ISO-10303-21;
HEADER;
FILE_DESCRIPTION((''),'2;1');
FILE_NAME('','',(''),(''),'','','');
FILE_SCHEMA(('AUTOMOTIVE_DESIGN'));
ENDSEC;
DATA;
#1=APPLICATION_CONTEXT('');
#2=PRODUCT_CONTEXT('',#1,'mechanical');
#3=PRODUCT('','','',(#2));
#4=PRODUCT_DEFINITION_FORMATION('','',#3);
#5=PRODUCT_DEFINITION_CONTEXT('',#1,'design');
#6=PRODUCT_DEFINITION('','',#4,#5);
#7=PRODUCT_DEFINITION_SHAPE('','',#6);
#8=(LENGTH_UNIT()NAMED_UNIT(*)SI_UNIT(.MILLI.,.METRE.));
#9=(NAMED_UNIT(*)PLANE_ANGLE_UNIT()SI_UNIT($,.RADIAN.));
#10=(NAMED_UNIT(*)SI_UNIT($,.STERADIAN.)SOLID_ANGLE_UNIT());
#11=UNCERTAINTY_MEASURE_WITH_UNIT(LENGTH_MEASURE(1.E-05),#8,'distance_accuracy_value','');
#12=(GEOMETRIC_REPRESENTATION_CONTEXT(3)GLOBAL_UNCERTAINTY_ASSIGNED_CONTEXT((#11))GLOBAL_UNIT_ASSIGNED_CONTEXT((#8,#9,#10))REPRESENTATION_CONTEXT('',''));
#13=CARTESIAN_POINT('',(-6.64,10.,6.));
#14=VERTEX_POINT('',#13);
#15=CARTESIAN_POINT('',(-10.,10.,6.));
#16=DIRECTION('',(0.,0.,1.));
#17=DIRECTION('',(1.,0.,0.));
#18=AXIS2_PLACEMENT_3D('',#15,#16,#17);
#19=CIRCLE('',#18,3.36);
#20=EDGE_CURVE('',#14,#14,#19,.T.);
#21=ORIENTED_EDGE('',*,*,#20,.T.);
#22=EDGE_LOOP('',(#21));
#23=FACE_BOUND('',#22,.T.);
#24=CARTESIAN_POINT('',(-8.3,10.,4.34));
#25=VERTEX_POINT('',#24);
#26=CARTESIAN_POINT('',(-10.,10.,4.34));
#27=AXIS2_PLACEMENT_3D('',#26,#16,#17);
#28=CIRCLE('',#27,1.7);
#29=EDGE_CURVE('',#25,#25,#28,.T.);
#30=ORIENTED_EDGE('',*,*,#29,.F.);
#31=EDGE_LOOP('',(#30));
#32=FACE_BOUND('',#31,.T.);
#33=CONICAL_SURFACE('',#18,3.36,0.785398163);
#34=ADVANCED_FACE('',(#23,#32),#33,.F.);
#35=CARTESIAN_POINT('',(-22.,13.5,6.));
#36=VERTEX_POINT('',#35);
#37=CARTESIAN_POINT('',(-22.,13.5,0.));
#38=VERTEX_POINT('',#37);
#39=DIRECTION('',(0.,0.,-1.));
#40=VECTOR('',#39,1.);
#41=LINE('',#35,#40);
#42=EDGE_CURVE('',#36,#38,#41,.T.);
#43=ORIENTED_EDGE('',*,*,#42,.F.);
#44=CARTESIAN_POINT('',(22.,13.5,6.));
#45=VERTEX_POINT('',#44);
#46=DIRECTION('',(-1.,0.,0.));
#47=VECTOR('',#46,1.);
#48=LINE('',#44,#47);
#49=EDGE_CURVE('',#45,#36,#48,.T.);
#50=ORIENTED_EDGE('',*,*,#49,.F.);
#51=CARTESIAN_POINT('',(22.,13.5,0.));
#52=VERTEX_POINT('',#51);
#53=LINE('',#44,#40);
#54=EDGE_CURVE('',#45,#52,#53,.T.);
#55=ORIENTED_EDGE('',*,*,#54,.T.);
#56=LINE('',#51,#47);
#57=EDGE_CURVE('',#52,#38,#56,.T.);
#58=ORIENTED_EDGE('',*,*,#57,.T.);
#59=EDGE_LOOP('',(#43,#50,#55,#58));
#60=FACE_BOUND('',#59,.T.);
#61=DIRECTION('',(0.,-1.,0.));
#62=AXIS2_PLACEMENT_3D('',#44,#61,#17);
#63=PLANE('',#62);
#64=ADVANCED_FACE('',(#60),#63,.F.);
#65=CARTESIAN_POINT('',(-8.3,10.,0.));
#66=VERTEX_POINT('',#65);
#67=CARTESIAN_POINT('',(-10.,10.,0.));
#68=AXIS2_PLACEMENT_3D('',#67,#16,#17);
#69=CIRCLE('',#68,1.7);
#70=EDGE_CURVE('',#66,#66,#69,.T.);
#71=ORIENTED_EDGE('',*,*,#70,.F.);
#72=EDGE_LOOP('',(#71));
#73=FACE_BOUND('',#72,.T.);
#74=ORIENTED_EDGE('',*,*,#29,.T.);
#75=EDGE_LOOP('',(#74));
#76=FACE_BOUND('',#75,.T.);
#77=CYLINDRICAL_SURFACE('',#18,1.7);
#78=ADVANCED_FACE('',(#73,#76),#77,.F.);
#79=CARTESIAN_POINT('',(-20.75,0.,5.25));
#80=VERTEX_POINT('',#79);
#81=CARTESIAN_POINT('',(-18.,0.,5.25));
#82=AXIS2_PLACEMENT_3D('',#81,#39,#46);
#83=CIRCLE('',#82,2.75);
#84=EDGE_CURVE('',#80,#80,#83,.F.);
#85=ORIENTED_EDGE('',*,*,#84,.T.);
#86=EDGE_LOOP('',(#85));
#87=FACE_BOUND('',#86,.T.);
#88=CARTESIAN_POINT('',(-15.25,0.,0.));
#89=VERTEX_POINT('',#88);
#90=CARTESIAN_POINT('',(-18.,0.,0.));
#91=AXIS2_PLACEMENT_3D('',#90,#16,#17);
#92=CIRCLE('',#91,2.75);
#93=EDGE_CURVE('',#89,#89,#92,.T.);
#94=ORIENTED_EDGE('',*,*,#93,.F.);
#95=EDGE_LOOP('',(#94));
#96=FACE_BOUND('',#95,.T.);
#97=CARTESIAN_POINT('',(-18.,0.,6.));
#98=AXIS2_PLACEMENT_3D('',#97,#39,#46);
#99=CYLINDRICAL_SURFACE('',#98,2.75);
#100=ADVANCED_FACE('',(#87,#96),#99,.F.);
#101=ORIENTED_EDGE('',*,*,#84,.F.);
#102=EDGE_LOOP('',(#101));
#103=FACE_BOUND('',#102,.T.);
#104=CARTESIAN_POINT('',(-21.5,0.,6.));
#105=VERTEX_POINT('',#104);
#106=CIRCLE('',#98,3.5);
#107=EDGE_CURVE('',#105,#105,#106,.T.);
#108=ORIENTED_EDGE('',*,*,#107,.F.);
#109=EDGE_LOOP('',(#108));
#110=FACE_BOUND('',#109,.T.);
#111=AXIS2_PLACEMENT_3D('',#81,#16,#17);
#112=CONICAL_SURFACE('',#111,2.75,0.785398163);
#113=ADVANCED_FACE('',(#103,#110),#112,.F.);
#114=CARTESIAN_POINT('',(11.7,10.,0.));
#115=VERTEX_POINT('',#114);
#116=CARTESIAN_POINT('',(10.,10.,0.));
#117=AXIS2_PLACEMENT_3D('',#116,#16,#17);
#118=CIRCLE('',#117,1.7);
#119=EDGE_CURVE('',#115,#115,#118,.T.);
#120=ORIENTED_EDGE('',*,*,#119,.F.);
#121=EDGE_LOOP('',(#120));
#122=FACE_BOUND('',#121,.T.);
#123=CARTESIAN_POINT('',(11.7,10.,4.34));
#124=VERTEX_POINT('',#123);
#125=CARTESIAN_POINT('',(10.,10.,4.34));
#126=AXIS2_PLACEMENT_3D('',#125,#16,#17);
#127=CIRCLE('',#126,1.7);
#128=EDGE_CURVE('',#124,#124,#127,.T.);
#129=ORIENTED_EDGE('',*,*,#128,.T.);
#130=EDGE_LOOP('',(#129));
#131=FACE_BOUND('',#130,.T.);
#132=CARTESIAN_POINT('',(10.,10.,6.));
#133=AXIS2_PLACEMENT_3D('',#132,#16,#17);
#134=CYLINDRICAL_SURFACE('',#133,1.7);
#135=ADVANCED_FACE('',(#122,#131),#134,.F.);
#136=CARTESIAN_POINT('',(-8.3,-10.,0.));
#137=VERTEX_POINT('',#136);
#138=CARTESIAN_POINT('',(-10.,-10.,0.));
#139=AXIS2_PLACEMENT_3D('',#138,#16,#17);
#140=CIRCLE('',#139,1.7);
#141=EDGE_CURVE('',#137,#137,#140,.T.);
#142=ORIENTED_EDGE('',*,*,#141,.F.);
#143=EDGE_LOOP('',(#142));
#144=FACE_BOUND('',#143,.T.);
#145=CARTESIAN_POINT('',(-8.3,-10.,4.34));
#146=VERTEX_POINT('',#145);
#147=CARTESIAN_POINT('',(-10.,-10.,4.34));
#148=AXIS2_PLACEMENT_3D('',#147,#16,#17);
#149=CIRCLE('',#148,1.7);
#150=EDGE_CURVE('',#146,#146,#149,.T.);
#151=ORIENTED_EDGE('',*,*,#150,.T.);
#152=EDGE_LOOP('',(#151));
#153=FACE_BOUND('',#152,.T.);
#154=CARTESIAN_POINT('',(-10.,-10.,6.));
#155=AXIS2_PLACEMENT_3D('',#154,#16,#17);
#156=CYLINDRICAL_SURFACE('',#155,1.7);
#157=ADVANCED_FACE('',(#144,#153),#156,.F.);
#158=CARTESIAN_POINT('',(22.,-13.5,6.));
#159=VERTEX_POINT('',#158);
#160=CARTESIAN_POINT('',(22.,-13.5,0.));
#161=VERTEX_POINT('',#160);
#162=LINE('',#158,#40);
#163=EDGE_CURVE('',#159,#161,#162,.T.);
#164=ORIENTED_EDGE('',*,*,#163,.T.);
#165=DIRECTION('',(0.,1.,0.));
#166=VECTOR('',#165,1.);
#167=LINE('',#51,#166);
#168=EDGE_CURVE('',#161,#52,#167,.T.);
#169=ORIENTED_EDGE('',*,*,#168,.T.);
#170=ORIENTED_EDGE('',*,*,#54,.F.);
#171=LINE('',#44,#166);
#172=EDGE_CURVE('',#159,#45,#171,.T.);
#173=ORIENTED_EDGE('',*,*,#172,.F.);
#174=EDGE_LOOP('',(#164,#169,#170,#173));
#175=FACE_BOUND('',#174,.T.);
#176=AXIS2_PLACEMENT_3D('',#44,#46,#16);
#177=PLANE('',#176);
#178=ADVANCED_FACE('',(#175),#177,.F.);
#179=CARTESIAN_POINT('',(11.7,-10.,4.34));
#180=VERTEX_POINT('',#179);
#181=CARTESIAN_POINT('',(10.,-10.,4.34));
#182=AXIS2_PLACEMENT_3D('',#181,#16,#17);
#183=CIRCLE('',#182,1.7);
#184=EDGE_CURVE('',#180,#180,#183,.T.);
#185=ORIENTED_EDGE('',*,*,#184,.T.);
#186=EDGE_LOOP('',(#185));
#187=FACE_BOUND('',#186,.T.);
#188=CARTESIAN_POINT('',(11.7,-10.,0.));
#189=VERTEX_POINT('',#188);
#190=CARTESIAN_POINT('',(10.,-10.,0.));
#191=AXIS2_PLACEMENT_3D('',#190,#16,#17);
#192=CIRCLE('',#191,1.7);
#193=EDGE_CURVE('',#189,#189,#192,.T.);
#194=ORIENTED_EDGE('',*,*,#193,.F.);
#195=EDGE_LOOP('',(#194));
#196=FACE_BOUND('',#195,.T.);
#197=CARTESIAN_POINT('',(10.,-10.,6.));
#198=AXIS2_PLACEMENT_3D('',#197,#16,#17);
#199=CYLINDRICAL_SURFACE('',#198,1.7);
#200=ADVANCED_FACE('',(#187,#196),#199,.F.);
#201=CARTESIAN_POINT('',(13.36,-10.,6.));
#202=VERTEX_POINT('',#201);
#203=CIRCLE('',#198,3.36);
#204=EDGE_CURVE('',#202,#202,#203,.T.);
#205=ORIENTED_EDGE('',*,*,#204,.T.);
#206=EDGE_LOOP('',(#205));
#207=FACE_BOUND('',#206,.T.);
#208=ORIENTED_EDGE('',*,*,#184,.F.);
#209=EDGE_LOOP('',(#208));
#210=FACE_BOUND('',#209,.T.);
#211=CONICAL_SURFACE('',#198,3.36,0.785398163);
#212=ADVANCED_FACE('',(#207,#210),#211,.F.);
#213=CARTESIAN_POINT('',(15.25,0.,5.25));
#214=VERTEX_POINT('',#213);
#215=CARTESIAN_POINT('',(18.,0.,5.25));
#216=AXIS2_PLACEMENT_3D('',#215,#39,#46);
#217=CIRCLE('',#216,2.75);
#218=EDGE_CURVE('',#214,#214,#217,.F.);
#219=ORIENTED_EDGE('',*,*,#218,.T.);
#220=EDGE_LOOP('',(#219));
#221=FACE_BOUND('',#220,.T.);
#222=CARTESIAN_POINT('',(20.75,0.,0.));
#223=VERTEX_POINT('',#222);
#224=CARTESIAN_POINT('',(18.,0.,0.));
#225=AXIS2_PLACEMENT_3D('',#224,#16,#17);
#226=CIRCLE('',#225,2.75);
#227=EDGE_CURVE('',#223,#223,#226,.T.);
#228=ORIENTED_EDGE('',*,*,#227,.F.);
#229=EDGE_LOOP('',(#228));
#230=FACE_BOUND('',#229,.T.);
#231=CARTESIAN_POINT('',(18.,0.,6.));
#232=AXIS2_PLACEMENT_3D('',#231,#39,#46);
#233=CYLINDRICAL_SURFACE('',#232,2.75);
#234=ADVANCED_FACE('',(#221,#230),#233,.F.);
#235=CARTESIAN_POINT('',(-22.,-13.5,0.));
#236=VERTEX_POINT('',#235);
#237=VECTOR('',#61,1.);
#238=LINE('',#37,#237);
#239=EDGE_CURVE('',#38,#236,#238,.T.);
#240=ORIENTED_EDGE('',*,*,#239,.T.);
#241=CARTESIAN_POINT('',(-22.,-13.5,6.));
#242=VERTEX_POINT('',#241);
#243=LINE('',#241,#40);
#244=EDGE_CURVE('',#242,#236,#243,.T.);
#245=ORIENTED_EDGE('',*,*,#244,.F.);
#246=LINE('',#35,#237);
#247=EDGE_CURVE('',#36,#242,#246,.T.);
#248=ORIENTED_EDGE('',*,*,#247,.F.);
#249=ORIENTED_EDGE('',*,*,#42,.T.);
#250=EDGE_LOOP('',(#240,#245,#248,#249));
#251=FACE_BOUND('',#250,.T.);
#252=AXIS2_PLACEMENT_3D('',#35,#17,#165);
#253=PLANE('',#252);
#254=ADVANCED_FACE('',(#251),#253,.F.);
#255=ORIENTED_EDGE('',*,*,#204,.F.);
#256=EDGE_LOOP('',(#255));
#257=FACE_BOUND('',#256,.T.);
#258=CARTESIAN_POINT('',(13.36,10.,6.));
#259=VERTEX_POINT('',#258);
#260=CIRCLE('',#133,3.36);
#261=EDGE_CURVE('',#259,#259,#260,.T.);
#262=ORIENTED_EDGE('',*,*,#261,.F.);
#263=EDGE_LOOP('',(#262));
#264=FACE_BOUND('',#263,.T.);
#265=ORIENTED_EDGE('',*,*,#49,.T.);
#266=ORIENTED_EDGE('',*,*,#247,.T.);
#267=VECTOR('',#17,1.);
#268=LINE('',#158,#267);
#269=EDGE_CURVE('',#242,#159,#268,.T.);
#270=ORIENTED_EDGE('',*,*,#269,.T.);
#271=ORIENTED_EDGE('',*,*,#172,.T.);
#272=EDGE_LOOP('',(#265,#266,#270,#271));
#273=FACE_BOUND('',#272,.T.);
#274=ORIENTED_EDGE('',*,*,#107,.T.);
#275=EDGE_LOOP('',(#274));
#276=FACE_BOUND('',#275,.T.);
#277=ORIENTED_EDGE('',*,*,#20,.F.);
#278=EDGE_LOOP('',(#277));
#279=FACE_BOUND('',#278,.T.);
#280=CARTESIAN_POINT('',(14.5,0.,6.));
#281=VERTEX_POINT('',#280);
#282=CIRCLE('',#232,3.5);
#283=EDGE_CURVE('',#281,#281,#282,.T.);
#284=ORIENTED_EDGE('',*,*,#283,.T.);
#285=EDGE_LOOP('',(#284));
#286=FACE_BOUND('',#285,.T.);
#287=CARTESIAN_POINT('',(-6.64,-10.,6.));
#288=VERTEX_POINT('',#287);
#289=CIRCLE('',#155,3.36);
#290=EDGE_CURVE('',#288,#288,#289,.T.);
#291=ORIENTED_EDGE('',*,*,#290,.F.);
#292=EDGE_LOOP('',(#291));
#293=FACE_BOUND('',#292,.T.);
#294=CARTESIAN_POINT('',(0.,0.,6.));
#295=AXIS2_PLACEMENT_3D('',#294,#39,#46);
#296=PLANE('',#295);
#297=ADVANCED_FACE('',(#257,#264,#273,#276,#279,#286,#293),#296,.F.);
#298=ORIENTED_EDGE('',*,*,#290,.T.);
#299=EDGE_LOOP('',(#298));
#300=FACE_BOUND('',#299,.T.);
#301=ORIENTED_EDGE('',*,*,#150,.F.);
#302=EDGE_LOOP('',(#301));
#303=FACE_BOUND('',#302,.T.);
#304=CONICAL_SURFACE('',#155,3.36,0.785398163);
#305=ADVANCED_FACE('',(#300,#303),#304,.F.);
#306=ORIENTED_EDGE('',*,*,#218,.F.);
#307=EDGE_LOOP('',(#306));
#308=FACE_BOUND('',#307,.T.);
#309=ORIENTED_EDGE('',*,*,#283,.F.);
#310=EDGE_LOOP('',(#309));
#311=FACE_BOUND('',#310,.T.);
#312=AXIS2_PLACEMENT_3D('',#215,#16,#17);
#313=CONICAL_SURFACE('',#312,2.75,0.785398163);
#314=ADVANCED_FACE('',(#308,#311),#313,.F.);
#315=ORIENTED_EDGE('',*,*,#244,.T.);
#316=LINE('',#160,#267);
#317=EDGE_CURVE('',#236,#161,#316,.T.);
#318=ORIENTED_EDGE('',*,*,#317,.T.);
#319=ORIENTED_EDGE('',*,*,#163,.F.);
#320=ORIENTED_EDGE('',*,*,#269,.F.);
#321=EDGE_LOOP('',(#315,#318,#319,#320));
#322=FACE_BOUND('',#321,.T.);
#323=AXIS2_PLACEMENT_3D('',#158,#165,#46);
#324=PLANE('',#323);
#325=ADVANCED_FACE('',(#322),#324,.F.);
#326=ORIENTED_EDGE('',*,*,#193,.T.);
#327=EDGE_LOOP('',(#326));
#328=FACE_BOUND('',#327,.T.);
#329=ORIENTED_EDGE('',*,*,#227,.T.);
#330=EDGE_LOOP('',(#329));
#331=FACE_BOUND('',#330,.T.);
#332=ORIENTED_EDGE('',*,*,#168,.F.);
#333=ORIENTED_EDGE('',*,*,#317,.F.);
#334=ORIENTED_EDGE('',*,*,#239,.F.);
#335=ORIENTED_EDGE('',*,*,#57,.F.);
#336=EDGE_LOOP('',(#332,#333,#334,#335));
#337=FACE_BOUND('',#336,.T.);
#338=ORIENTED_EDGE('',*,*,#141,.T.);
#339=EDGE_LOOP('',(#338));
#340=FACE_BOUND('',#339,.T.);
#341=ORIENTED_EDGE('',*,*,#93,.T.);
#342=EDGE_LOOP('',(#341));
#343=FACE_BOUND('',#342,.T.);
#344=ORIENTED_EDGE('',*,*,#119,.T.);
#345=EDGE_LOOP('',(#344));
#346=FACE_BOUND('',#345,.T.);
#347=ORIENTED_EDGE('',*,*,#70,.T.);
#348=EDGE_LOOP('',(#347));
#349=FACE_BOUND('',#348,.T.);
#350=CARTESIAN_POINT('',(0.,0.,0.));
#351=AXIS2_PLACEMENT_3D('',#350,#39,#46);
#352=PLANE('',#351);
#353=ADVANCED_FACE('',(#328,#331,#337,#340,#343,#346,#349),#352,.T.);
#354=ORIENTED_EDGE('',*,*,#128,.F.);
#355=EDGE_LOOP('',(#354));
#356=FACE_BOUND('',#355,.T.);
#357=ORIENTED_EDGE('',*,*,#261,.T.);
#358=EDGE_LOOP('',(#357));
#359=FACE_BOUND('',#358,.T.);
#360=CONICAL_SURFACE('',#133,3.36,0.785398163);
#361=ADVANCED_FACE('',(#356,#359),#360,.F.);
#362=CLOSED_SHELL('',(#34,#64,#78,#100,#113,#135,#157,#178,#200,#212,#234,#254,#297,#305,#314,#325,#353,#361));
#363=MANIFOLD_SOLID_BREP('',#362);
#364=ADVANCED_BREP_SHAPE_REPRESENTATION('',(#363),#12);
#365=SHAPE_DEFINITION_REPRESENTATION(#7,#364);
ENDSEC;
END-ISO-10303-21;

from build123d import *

# Parameters (mm, degrees)
SKETCH1_W                     = 44
SKETCH1_H                     = 27
SKETCH1_R                     = 2.75
BOSS_EXTRUDE1_DEPTH           = 6
CSK_FOR_M3_SFHCS1_D           = 3.4
CSK_FOR_M3_SFHCS1_CSINK_D     = 6.72
CSK_FOR_M3_SFHCS1_CSINK_ANGLE = 90
CHAMFER1_SIZE                 = 0.75


with BuildPart() as part:
    # Sketch1 → Boss-Extrude1 (new body)
    with BuildSketch(Plane.XY):
        Rectangle(SKETCH1_W, SKETCH1_H)
        with Locations((-18, 0)):
            Circle(SKETCH1_R, mode=Mode.SUBTRACT)
        with Locations((18, 0)):
            Circle(SKETCH1_R, mode=Mode.SUBTRACT)
    extrude(amount=BOSS_EXTRUDE1_DEPTH)

    # CSK for M3 SFHCS1 (through all)
    with Locations(Plane.XY.offset(6)):
        with Locations((-10, 10), (10, 10), (10, -10), (-10, -10)):
            CounterSinkHole(CSK_FOR_M3_SFHCS1_D / 2, CSK_FOR_M3_SFHCS1_CSINK_D / 2, counter_sink_angle=CSK_FOR_M3_SFHCS1_CSINK_ANGLE)

    # Chamfer1
    chamfer1_edges = [part.edges().sort_by_distance(p)[0] for p in [
        (-20.75, 0, 6),
        (15.25, 0, 6),
    ]]
    chamfer(chamfer1_edges, length=CHAMFER1_SIZE)


solid = part.part
